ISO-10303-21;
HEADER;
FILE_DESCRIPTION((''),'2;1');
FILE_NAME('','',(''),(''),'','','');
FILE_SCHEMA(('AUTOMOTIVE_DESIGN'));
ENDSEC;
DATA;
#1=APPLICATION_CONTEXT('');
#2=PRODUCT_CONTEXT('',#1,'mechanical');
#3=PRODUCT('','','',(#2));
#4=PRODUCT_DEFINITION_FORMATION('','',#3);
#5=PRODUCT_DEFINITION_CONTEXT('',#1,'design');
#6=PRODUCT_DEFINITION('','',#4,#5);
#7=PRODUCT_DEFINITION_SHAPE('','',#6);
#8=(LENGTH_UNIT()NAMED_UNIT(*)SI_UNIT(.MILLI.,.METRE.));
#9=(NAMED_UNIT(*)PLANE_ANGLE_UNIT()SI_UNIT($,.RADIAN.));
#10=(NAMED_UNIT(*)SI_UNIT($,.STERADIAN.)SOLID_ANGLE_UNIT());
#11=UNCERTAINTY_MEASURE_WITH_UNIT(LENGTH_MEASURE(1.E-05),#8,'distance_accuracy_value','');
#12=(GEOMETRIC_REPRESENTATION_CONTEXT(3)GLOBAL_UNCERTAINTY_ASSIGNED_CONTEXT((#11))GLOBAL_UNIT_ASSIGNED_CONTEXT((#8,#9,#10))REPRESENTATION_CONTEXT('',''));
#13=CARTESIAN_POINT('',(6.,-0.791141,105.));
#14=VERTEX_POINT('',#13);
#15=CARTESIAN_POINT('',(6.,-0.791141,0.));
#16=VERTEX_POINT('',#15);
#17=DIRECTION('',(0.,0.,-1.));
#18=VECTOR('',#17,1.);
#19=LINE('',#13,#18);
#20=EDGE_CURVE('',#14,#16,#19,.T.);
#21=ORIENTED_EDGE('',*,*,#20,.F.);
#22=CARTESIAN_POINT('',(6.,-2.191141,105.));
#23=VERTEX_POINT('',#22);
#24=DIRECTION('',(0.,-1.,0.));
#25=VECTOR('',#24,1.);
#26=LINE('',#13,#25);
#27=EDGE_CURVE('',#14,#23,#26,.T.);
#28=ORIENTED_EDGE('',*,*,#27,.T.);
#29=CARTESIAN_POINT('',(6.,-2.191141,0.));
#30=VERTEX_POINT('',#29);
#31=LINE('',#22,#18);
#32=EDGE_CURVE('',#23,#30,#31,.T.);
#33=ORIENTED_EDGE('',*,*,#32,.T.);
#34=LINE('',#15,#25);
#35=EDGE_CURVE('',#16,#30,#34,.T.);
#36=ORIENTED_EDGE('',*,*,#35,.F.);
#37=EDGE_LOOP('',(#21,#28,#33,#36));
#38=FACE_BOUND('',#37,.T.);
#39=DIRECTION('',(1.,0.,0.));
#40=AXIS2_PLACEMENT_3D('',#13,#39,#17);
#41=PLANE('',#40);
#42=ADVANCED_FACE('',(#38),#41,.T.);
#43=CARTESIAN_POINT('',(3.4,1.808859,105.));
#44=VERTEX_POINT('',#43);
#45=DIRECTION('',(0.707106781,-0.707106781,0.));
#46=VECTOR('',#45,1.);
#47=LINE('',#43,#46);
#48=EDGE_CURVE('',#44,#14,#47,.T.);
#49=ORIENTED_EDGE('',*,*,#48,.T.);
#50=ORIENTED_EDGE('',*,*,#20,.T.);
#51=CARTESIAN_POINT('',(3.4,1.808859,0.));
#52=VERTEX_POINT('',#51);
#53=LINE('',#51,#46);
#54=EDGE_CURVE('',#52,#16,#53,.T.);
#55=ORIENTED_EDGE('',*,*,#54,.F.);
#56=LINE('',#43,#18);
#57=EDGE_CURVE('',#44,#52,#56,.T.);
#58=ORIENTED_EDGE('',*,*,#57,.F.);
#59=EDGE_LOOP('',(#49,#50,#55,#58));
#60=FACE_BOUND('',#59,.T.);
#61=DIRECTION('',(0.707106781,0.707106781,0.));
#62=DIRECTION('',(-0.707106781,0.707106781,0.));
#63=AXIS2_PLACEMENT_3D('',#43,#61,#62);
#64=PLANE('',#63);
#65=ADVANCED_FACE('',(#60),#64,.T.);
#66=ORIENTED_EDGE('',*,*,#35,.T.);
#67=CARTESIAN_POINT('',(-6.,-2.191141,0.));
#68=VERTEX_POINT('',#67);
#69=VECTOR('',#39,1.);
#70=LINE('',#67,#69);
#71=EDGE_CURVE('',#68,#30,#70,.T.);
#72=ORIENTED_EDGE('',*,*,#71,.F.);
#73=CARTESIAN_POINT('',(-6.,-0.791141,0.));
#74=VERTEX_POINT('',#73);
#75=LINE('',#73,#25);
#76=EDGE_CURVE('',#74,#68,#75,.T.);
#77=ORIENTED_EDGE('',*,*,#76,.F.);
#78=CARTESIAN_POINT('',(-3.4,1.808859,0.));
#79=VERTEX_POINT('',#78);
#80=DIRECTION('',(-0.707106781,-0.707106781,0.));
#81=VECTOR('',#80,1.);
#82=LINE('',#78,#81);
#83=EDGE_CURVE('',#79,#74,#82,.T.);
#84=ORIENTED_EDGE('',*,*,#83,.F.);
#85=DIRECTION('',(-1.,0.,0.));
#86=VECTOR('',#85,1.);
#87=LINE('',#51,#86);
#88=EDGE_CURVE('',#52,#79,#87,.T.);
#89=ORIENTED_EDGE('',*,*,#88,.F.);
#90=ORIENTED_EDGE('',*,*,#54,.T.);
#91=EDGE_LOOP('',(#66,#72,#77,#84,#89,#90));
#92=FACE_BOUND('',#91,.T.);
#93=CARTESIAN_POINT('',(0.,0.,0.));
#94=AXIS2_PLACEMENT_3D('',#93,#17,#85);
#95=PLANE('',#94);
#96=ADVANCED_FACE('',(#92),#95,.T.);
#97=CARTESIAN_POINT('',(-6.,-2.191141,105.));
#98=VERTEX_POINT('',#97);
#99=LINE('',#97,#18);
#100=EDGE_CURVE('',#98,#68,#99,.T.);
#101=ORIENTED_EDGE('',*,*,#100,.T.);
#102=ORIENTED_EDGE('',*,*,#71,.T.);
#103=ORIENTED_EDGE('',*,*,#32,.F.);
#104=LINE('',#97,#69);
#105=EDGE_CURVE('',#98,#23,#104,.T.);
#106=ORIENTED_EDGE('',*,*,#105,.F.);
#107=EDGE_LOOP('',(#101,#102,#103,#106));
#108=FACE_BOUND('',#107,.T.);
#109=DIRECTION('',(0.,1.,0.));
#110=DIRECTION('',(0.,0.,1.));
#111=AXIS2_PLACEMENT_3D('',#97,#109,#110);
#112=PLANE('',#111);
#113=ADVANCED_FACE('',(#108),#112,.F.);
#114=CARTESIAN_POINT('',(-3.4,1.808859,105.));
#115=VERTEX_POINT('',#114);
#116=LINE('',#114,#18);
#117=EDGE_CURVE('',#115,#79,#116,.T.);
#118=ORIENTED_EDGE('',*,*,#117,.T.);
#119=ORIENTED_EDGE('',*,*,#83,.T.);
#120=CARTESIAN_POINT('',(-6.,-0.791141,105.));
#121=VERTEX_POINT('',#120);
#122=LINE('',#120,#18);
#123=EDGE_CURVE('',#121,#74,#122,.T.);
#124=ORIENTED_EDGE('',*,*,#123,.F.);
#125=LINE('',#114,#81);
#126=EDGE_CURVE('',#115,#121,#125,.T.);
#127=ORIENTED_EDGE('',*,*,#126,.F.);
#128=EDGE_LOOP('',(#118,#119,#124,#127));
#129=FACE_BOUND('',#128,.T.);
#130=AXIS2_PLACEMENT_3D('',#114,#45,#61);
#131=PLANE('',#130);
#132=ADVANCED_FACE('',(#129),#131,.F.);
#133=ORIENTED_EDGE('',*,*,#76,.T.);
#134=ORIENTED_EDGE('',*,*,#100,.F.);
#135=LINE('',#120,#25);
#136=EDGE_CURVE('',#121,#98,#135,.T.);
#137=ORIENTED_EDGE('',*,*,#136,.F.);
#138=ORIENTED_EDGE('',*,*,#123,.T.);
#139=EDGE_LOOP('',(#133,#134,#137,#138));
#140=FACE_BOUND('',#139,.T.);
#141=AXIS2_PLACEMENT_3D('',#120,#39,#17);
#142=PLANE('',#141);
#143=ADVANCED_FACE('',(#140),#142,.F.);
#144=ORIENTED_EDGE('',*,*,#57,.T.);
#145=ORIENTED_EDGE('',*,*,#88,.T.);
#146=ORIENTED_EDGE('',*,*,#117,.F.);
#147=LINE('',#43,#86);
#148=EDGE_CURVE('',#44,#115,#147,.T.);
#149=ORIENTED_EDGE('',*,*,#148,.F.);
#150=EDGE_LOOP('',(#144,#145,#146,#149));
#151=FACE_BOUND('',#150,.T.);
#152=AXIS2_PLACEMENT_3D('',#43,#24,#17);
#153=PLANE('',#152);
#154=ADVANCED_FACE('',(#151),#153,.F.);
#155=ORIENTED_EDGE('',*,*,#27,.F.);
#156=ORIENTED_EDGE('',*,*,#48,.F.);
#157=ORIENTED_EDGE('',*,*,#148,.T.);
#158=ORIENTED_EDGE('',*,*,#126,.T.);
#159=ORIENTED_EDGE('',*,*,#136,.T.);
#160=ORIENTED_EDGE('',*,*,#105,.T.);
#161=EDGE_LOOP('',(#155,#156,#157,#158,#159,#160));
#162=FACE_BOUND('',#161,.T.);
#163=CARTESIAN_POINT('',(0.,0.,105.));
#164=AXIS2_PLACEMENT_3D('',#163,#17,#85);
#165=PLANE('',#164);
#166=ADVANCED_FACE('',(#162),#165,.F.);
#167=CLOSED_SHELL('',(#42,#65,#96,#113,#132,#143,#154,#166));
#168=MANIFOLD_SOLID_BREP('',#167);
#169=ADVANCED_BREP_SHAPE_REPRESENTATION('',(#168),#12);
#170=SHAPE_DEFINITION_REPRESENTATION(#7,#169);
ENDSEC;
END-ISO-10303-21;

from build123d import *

# Parameters (mm, degrees)
AUFSATZ_LINEAR_AUSTRAGEN1_DEPTH = 105


with BuildPart() as part:
    # Skizze1 → Aufsatz-Linear austragen1 (new body)
    with BuildSketch(Plane.XY):
        Polygon((3.4, 1.808858787), (-3.4, 1.808858787), (-6, -0.791141213), (-6, -2.191141213), (6, -2.191141213), (6, -0.791141213), align=None)
    extrude(amount=AUFSATZ_LINEAR_AUSTRAGEN1_DEPTH)


solid = part.part
